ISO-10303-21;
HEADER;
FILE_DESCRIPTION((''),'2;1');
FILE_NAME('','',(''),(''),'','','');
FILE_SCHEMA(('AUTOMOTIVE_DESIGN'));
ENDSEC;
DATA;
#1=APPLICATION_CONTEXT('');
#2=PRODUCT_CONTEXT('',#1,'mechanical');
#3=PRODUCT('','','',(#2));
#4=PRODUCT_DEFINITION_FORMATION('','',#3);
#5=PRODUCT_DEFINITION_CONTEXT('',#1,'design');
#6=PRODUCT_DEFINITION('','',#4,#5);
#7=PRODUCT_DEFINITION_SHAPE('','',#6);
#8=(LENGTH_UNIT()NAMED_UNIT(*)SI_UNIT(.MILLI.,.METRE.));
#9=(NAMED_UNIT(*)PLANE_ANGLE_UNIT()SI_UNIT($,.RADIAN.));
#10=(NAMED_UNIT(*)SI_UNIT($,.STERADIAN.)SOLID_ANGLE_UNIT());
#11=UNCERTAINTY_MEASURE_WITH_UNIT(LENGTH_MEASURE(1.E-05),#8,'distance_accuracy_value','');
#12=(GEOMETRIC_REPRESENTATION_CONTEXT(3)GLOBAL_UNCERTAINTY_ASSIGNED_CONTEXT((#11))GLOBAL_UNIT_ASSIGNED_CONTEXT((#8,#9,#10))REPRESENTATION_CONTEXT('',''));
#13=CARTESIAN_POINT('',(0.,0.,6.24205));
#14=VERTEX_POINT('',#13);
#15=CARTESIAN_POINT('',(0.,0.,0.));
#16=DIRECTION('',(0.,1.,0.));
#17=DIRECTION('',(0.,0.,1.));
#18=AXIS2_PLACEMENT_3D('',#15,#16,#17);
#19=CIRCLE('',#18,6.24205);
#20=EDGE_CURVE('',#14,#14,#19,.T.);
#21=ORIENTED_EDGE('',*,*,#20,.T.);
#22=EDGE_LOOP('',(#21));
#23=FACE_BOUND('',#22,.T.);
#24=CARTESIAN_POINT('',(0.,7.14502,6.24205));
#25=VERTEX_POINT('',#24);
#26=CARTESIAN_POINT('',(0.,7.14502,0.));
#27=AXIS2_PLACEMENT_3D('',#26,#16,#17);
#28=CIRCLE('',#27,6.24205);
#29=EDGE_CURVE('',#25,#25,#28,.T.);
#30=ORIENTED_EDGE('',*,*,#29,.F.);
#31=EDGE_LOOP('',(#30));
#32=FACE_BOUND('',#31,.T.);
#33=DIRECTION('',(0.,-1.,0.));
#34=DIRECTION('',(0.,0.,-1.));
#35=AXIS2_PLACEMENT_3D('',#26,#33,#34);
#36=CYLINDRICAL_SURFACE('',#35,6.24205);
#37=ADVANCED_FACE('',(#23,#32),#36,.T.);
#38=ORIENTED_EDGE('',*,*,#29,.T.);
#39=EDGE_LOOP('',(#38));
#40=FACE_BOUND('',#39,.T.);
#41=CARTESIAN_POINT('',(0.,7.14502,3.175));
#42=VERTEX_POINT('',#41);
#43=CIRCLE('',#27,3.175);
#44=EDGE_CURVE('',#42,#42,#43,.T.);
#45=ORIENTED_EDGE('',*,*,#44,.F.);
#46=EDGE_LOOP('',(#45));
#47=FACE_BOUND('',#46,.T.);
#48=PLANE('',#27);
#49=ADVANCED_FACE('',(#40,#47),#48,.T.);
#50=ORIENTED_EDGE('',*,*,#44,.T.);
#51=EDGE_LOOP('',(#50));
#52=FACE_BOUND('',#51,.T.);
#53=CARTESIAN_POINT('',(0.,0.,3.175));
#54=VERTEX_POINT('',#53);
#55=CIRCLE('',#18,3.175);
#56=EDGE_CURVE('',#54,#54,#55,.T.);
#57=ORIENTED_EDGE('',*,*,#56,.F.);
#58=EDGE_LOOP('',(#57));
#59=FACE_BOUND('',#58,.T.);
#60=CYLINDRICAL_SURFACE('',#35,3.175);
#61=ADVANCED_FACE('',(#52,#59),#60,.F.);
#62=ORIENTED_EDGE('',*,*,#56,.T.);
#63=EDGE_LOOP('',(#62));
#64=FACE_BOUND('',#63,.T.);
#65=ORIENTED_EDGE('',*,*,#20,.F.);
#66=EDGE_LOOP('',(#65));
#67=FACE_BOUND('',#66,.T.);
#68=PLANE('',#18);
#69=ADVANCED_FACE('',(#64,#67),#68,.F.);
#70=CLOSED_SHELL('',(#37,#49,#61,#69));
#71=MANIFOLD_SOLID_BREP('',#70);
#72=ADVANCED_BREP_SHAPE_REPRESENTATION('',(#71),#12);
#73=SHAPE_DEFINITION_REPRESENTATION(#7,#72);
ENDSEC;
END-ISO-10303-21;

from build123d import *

# Parameters (mm, degrees)
SKETCH1_R           = 6.24205
BOSS_EXTRUDE1_DEPTH = 7.14502
SKETCH2_R           = 3.175
CUT_EXTRUDE1_DEPTH  = 8.14502


with BuildPart() as part:
    # Sketch1 → Boss-Extrude1 (new body)
    with BuildSketch(Plane(origin=(0, 0, 0), x_dir=(1, 0, 0), z_dir=(0, 1, 0))):
        Circle(SKETCH1_R)
    extrude(amount=BOSS_EXTRUDE1_DEPTH)

    # Sketch2 → Cut-Extrude1 (cut, through all)
    with BuildSketch(Plane(origin=(0, 0, 0), x_dir=(1, 0, 0), z_dir=(0, 1, 0))):
        Circle(SKETCH2_R)
    extrude(amount=CUT_EXTRUDE1_DEPTH, mode=Mode.SUBTRACT)


solid = part.part
